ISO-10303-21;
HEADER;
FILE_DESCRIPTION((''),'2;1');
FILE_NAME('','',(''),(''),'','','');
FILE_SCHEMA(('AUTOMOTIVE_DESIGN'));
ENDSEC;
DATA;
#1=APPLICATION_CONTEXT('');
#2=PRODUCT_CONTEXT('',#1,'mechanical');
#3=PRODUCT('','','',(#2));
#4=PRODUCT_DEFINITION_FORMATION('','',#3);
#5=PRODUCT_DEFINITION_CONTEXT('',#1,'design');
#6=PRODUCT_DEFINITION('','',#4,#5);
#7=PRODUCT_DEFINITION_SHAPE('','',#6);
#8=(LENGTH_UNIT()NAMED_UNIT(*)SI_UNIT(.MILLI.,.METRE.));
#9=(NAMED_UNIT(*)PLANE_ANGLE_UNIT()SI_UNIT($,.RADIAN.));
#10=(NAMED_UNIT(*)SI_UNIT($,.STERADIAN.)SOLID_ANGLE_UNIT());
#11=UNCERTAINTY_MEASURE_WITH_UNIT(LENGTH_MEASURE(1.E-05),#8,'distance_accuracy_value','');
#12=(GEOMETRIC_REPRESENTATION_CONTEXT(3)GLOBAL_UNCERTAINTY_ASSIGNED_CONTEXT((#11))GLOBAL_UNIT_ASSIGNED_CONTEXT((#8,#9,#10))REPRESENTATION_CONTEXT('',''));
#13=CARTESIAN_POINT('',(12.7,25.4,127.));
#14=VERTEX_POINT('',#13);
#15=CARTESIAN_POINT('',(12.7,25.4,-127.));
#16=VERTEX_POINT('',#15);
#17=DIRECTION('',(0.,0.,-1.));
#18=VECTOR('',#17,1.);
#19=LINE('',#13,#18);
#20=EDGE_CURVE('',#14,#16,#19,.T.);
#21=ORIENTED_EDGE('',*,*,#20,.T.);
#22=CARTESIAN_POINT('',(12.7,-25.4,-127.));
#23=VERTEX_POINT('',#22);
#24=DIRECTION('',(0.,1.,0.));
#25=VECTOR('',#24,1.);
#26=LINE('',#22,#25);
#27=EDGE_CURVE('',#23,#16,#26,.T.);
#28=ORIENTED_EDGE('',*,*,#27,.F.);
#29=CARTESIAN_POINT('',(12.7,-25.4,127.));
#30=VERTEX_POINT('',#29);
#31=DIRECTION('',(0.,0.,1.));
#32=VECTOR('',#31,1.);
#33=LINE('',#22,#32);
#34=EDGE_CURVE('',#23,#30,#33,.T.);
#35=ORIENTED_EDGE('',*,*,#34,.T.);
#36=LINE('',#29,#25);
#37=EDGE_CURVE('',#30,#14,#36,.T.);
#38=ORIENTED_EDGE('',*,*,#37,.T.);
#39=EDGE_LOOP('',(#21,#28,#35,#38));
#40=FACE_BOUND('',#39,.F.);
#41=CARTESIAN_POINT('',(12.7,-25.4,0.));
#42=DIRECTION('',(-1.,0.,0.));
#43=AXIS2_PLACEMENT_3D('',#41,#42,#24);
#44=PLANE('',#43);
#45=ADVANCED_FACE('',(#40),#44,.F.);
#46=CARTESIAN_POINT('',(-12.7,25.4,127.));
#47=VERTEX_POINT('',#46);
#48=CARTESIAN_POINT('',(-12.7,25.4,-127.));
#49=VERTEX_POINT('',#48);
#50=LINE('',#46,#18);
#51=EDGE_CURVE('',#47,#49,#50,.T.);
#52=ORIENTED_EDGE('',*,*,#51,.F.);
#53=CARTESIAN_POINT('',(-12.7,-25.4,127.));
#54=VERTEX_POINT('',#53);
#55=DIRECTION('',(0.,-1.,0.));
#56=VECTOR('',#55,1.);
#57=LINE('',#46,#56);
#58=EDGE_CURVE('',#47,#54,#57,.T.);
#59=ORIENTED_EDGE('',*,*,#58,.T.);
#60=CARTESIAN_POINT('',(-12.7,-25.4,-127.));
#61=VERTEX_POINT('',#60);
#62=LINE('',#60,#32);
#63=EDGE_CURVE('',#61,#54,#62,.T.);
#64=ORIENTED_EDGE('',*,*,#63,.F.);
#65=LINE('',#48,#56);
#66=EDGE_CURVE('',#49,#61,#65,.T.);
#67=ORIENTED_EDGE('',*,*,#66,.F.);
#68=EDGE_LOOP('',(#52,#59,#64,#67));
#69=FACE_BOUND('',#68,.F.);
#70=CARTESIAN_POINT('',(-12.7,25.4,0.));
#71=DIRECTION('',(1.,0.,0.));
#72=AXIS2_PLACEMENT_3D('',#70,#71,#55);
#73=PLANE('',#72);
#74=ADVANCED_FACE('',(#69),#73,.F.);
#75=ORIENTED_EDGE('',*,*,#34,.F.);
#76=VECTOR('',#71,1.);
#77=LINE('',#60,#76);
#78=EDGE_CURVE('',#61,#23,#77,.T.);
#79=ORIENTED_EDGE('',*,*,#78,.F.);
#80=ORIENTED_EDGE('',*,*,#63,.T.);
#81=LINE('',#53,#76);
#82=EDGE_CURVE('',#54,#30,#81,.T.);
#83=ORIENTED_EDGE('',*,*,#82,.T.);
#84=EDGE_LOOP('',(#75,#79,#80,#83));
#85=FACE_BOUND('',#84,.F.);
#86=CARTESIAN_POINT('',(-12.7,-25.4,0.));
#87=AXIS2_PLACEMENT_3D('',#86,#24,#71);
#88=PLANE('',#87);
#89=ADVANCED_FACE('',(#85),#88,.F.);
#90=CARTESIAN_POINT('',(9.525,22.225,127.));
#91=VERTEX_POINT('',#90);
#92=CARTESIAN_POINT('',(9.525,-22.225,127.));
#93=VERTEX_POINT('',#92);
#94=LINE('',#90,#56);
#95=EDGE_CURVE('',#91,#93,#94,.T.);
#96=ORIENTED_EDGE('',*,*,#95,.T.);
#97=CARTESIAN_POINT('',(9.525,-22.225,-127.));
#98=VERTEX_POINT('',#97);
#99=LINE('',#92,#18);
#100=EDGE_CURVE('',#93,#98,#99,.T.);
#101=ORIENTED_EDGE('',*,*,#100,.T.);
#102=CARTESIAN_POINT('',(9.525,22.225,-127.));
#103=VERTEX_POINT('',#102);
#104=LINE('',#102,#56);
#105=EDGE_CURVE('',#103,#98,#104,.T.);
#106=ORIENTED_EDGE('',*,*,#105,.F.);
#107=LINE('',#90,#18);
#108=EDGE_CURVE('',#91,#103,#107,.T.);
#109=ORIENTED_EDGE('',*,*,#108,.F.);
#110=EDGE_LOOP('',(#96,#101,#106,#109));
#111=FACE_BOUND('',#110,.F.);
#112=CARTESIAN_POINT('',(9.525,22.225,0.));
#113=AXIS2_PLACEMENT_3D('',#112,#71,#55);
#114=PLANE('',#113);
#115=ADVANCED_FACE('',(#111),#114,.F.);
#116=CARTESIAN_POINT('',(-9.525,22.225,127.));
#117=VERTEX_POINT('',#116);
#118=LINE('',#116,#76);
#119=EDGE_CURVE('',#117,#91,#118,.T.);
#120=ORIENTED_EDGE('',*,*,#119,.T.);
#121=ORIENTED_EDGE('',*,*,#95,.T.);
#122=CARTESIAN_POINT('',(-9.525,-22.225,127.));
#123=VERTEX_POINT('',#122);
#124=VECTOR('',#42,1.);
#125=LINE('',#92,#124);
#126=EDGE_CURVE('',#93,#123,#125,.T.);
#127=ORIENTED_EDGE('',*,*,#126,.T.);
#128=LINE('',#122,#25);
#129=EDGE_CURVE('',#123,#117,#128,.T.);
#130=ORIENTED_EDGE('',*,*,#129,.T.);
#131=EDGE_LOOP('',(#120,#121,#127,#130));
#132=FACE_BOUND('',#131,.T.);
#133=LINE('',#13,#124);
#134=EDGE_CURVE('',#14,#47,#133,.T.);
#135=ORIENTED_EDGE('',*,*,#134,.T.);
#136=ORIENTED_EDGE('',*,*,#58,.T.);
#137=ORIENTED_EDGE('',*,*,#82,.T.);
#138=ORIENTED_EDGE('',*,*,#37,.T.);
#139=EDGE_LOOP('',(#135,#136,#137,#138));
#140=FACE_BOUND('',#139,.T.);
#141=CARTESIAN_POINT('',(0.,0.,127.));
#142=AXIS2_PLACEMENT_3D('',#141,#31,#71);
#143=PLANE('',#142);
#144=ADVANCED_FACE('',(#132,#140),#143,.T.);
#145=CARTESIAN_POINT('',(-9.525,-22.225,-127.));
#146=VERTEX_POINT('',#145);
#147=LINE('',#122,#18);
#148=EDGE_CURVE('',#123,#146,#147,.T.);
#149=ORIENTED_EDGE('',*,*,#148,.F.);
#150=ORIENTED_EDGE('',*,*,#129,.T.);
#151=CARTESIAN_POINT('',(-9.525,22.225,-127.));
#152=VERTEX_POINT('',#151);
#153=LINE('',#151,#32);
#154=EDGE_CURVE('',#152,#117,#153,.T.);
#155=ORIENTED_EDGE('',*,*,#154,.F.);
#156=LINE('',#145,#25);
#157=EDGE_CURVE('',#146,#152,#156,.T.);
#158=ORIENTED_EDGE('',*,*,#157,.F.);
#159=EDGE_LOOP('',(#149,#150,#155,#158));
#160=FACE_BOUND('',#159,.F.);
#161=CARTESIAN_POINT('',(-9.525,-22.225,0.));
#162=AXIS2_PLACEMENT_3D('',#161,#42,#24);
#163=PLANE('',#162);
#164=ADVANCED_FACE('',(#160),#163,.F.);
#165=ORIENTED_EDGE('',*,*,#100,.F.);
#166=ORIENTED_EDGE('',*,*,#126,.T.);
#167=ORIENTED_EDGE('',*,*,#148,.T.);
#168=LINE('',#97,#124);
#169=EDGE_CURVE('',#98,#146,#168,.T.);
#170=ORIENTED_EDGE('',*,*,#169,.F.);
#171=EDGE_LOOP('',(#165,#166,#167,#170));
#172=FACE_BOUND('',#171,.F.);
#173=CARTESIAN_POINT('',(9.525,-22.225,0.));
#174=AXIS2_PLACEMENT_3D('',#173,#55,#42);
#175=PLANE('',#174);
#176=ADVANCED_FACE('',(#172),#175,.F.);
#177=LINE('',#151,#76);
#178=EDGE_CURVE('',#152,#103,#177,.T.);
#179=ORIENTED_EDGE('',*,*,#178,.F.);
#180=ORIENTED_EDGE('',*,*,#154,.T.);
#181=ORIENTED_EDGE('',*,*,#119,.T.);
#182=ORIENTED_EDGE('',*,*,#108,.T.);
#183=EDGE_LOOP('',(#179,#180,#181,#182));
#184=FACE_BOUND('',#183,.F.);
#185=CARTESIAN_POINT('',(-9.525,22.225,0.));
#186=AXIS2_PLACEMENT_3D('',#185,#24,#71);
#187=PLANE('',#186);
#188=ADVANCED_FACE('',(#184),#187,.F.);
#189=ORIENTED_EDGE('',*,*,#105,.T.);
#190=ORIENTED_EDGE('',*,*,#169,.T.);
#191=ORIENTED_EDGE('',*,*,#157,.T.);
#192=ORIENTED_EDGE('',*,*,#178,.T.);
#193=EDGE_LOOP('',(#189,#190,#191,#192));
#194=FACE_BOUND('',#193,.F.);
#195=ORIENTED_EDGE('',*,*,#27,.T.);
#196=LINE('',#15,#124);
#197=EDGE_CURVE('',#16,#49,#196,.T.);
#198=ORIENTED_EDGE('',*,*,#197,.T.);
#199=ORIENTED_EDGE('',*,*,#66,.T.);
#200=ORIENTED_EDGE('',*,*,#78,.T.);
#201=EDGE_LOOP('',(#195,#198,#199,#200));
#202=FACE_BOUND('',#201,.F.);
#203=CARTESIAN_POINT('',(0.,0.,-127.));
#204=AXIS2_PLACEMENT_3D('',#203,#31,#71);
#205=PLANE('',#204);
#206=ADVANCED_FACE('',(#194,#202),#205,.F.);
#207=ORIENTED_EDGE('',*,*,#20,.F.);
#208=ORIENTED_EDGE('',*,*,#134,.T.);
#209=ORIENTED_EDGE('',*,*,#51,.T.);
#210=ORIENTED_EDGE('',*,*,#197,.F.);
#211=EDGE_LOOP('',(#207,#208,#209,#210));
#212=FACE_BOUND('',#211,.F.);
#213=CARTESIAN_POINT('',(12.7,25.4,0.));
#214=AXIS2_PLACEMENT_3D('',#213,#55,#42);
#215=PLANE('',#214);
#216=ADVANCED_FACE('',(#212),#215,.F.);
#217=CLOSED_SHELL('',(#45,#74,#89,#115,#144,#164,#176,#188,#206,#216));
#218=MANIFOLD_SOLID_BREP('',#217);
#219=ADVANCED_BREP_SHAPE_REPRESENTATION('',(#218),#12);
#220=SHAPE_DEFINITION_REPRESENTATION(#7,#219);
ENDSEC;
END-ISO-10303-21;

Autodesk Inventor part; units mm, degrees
ref_plane "YZ Plane" through (0, 0, 0) normal (1, 0, 0) x (0, 1, 0)
ref_plane "XZ Plane" through (0, 0, 0) normal (0, 1, 0) x (-1, 0, 0)
ref_plane "XY Plane" through (0, 0, 0) normal (0, 0, 1) x (1, 0, 0)
sketch "Sketch1" plane through (0, 0, 0) normal (0, 0, 1) x (1, 0, 0)
  line L0 (-12.7, -25.4) -> (12.7, -25.4)
  line L1 (12.7, -25.4) -> (12.7, 25.4)
  line L2 (12.7, 25.4) -> (-12.7, 25.4)
  line L3 (-12.7, 25.4) -> (-12.7, -25.4)
  line L4 (-12.7, -25.4) -> (12.7, 25.4) construction
  line L5 (12.7, -25.4) -> (-12.7, 25.4) construction
  line L6 (-9.525, 22.225) -> (9.525, 22.225)
  line L7 (9.525, 22.225) -> (9.525, -22.225)
  line L8 (9.525, -22.225) -> (-9.525, -22.225)
  line L9 (-9.525, -22.225) -> (-9.525, 22.225)
  point P0 (0, 0)
  dimension "width" = 25.4
  dimension "height" = 50.8
  dimension "thickness" = 3.175
extrude "Extrusion1" add sketch "Sketch1" along normal mid plane 254
properties part number "TUBE" material "Aluminum 6061"
